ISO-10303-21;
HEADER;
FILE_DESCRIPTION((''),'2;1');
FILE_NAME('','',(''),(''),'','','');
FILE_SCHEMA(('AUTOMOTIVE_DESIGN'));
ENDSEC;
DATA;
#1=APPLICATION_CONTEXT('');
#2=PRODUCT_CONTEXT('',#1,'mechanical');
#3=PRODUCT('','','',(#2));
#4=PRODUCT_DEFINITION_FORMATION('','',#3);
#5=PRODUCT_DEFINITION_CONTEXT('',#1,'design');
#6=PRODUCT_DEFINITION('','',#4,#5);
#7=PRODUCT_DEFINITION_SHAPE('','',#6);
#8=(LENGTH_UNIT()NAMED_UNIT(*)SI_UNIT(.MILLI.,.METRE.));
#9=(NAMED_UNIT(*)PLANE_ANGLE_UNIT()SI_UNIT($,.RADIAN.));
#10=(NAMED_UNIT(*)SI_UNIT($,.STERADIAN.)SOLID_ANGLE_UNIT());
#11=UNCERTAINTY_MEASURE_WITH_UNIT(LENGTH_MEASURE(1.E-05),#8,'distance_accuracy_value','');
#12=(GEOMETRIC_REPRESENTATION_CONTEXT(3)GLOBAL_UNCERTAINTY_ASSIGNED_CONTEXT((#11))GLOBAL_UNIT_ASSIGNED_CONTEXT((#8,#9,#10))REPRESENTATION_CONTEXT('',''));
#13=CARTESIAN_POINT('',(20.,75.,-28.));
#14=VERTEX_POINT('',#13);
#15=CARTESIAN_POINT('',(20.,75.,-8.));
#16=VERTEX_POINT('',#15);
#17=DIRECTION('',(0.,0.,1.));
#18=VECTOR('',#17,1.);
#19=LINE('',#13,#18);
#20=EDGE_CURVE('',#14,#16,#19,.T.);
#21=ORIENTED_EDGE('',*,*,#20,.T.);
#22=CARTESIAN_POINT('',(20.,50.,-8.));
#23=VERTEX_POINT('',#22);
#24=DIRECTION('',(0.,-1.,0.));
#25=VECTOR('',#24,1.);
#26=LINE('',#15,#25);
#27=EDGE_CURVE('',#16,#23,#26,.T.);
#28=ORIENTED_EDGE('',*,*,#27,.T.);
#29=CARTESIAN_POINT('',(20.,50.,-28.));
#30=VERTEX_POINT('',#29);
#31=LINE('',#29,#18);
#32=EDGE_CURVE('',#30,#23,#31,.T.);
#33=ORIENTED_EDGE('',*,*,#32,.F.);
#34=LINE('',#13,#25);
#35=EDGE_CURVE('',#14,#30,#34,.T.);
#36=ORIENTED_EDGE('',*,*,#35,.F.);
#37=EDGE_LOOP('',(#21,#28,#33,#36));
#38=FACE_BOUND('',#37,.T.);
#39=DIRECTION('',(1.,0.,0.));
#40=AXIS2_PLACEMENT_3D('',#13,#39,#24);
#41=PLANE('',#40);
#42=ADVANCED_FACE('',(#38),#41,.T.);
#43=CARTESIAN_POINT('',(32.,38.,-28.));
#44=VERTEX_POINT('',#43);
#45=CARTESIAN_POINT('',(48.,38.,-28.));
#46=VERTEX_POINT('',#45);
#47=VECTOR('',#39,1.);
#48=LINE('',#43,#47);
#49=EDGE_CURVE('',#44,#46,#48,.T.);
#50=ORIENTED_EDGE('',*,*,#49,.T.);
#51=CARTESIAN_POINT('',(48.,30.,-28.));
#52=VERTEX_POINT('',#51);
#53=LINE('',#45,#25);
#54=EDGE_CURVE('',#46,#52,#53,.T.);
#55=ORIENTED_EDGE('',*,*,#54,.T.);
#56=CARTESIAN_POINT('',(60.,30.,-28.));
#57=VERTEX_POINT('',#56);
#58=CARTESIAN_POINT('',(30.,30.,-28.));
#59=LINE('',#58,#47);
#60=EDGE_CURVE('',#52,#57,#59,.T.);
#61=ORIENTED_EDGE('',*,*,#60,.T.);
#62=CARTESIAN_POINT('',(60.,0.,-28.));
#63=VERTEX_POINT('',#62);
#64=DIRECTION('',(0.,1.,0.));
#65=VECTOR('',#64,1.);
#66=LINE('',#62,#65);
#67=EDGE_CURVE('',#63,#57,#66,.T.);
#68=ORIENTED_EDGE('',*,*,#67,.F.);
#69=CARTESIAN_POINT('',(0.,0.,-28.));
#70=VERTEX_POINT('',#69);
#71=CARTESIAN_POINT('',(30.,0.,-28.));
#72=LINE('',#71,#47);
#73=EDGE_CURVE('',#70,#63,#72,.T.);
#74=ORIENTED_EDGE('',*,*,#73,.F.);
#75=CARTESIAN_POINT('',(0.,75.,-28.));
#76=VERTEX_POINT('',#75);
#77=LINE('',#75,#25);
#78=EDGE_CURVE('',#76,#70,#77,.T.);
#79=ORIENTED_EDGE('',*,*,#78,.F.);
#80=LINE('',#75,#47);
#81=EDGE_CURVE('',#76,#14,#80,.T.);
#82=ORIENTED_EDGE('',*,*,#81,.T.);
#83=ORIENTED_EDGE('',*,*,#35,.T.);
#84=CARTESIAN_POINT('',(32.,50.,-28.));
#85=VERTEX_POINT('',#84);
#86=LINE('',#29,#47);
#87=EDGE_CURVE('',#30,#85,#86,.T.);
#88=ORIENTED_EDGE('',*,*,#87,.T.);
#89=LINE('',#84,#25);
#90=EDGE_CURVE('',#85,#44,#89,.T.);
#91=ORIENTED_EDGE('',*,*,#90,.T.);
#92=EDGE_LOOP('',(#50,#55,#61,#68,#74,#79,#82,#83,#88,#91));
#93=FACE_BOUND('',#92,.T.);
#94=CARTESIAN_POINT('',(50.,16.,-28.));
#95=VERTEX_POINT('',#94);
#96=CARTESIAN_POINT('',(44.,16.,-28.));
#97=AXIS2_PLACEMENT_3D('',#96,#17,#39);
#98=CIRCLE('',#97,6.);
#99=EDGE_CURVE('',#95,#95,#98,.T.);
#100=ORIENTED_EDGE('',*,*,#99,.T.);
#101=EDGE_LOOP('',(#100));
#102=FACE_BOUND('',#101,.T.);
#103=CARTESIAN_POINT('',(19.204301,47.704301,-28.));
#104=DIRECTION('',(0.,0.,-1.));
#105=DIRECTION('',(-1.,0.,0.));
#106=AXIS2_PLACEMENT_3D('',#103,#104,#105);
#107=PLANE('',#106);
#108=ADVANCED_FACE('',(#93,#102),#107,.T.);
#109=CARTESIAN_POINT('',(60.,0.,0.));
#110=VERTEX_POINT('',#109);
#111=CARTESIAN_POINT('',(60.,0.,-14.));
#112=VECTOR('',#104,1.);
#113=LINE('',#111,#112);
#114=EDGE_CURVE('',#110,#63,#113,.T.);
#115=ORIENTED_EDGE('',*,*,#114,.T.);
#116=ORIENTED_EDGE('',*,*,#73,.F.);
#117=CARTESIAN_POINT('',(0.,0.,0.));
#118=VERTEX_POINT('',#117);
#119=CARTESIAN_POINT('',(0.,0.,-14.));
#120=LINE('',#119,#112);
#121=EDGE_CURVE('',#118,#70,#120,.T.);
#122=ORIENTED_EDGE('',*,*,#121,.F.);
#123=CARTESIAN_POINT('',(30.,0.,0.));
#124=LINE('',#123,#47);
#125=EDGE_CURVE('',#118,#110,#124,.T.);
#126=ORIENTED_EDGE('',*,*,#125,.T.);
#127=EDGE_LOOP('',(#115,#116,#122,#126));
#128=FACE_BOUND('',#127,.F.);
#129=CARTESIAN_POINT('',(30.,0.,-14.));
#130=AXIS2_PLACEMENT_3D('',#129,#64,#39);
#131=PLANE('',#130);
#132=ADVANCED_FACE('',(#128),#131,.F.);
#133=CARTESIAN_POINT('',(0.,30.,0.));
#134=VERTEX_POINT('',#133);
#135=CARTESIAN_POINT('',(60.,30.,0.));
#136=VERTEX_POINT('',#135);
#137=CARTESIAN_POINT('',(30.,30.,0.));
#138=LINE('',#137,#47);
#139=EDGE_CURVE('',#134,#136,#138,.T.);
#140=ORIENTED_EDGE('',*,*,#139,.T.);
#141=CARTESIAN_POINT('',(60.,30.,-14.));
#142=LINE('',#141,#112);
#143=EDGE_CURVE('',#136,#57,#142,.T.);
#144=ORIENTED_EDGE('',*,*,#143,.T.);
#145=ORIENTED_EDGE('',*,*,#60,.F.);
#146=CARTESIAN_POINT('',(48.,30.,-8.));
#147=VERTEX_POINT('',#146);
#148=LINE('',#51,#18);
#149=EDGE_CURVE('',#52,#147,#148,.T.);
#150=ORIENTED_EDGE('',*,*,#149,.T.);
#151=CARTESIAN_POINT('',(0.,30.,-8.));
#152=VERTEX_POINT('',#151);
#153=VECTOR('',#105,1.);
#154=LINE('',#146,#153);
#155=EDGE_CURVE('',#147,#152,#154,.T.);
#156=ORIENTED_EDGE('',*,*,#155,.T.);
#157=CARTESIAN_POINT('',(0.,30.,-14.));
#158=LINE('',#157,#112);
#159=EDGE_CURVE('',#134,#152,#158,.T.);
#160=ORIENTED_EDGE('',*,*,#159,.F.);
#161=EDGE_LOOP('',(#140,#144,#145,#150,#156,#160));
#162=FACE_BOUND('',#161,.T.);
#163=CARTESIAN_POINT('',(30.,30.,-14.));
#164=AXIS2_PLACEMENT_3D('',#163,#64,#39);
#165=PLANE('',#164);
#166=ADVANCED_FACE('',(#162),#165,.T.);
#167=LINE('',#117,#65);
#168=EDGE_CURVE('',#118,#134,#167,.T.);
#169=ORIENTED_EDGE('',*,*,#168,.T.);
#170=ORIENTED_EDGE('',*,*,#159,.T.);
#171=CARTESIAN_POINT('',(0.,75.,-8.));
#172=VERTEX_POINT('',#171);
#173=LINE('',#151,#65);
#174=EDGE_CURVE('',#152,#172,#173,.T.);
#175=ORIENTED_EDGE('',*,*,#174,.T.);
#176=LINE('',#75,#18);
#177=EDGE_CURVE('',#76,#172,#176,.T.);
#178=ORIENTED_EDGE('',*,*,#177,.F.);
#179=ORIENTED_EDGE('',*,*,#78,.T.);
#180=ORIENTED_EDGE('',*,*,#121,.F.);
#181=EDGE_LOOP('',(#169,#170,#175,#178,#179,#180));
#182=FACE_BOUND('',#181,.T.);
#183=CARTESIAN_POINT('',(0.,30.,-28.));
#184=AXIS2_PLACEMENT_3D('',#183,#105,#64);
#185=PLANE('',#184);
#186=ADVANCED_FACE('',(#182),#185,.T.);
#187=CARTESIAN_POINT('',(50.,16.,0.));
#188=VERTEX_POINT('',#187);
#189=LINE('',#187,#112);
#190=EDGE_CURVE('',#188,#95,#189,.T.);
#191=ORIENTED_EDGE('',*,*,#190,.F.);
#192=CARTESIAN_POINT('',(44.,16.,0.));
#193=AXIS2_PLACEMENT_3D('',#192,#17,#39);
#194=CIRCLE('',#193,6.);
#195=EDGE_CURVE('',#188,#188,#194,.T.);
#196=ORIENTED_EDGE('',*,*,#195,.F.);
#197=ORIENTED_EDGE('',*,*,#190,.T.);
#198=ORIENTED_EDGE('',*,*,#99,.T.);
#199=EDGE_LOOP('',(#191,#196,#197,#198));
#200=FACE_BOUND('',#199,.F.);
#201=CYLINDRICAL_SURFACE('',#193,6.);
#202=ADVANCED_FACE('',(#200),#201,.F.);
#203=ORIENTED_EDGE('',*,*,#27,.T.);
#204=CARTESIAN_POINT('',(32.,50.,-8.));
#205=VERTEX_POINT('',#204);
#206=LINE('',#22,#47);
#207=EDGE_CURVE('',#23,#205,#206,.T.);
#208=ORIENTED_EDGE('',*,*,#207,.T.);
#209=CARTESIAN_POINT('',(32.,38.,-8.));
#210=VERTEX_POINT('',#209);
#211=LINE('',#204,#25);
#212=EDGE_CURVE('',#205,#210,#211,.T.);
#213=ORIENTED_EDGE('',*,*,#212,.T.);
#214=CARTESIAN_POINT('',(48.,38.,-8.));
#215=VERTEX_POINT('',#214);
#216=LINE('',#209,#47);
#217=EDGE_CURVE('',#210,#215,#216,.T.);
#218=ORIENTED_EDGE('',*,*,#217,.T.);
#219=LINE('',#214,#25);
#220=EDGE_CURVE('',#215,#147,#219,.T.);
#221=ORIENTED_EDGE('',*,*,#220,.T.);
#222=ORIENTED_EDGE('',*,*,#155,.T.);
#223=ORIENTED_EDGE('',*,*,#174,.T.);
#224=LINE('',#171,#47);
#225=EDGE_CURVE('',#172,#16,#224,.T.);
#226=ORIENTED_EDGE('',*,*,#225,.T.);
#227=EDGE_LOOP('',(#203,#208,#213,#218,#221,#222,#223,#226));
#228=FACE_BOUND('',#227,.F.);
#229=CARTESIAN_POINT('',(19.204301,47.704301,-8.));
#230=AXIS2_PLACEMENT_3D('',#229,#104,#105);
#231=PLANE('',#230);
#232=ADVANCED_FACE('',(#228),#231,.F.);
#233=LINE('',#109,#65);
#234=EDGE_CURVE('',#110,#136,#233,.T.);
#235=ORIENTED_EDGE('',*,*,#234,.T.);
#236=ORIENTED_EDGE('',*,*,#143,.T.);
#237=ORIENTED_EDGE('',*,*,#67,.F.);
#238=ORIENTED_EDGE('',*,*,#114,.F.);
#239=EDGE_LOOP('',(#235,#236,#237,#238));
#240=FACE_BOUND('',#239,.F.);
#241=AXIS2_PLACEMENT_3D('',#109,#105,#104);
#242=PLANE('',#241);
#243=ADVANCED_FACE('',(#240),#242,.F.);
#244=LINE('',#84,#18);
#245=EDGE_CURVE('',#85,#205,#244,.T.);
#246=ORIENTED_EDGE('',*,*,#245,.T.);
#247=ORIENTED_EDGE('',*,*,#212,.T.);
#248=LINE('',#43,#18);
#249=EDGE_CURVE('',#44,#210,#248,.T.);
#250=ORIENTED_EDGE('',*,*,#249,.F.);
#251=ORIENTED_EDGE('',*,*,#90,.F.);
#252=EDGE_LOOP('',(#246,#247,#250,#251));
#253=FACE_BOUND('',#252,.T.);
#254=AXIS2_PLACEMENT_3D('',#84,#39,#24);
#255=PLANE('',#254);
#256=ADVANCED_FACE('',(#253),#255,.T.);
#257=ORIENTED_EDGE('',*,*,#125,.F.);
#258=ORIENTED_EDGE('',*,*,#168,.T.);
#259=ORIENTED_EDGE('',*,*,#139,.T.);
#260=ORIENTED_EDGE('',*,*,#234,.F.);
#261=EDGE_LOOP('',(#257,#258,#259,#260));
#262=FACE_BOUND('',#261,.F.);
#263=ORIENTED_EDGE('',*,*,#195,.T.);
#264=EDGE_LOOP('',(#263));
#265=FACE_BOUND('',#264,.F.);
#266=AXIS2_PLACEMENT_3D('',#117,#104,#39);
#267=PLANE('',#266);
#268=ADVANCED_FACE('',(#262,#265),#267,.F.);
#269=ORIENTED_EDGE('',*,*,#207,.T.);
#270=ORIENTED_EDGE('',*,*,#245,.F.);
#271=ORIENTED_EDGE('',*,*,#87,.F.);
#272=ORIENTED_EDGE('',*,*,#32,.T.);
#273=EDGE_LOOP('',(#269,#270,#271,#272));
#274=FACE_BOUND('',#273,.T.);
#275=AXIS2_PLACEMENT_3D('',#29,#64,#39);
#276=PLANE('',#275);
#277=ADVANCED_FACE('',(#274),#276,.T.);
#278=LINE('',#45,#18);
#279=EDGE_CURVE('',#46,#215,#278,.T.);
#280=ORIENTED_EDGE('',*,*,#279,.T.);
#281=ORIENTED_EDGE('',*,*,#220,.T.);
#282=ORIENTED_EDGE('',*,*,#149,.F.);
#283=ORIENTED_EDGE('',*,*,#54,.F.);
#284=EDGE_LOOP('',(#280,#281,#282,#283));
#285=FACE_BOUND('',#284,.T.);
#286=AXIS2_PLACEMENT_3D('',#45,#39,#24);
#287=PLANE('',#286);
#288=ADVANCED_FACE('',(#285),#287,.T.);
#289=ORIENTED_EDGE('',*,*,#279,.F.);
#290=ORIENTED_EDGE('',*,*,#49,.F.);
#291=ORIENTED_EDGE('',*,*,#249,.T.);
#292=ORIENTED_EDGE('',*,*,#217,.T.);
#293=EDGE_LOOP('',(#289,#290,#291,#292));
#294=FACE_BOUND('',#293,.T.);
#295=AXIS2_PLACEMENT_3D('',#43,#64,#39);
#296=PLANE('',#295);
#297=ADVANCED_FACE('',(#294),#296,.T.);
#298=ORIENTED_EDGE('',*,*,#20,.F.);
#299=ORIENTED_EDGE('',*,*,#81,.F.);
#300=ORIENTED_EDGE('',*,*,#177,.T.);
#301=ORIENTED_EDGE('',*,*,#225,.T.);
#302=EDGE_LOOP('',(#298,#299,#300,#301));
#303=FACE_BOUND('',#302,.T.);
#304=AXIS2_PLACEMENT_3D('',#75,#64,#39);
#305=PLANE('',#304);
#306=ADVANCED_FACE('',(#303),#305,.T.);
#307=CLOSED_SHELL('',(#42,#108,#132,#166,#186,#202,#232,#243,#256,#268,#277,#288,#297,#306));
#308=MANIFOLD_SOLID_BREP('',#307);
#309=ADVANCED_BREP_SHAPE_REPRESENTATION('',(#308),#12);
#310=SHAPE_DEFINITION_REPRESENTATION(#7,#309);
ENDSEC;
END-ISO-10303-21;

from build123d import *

# Parameters (mm, degrees)
SKETCH1_W           = 60
SKETCH1_H           = 28
BOSS_EXTRUDE1_DEPTH = 30
BOSS_EXTRUDE3_DEPTH = 20
SKETCH4_R           = 6
CUT_EXTRUDE1_DEPTH  = 29


with BuildPart() as part:
    # Sketch1 → Boss-Extrude1 (new body)
    with BuildSketch(Plane(origin=(0, 0, 0), x_dir=(1, 0, 0), z_dir=(0, 1, 0))):
        with Locations((30, 14)):
            Rectangle(SKETCH1_W, SKETCH1_H)
    extrude(amount=BOSS_EXTRUDE1_DEPTH)

    # Sketch3 → Boss-Extrude3 (add)
    with BuildSketch(Plane(origin=(0, 0, -28), x_dir=(-1, 0, 0), z_dir=(0, 0, -1))):
        Polygon((0, 30), (0, 75), (-20, 75), (-20, 50), (-32, 50), (-32, 38), (-48, 38), (-48, 30), align=None)
    extrude(amount=-BOSS_EXTRUDE3_DEPTH)

    # Sketch4 → Cut-Extrude1 (cut, through all)
    with BuildSketch(Plane.XY):
        with Locations((44, 16)):
            Circle(SKETCH4_R)
    extrude(amount=-CUT_EXTRUDE1_DEPTH, mode=Mode.SUBTRACT)


solid = part.part
